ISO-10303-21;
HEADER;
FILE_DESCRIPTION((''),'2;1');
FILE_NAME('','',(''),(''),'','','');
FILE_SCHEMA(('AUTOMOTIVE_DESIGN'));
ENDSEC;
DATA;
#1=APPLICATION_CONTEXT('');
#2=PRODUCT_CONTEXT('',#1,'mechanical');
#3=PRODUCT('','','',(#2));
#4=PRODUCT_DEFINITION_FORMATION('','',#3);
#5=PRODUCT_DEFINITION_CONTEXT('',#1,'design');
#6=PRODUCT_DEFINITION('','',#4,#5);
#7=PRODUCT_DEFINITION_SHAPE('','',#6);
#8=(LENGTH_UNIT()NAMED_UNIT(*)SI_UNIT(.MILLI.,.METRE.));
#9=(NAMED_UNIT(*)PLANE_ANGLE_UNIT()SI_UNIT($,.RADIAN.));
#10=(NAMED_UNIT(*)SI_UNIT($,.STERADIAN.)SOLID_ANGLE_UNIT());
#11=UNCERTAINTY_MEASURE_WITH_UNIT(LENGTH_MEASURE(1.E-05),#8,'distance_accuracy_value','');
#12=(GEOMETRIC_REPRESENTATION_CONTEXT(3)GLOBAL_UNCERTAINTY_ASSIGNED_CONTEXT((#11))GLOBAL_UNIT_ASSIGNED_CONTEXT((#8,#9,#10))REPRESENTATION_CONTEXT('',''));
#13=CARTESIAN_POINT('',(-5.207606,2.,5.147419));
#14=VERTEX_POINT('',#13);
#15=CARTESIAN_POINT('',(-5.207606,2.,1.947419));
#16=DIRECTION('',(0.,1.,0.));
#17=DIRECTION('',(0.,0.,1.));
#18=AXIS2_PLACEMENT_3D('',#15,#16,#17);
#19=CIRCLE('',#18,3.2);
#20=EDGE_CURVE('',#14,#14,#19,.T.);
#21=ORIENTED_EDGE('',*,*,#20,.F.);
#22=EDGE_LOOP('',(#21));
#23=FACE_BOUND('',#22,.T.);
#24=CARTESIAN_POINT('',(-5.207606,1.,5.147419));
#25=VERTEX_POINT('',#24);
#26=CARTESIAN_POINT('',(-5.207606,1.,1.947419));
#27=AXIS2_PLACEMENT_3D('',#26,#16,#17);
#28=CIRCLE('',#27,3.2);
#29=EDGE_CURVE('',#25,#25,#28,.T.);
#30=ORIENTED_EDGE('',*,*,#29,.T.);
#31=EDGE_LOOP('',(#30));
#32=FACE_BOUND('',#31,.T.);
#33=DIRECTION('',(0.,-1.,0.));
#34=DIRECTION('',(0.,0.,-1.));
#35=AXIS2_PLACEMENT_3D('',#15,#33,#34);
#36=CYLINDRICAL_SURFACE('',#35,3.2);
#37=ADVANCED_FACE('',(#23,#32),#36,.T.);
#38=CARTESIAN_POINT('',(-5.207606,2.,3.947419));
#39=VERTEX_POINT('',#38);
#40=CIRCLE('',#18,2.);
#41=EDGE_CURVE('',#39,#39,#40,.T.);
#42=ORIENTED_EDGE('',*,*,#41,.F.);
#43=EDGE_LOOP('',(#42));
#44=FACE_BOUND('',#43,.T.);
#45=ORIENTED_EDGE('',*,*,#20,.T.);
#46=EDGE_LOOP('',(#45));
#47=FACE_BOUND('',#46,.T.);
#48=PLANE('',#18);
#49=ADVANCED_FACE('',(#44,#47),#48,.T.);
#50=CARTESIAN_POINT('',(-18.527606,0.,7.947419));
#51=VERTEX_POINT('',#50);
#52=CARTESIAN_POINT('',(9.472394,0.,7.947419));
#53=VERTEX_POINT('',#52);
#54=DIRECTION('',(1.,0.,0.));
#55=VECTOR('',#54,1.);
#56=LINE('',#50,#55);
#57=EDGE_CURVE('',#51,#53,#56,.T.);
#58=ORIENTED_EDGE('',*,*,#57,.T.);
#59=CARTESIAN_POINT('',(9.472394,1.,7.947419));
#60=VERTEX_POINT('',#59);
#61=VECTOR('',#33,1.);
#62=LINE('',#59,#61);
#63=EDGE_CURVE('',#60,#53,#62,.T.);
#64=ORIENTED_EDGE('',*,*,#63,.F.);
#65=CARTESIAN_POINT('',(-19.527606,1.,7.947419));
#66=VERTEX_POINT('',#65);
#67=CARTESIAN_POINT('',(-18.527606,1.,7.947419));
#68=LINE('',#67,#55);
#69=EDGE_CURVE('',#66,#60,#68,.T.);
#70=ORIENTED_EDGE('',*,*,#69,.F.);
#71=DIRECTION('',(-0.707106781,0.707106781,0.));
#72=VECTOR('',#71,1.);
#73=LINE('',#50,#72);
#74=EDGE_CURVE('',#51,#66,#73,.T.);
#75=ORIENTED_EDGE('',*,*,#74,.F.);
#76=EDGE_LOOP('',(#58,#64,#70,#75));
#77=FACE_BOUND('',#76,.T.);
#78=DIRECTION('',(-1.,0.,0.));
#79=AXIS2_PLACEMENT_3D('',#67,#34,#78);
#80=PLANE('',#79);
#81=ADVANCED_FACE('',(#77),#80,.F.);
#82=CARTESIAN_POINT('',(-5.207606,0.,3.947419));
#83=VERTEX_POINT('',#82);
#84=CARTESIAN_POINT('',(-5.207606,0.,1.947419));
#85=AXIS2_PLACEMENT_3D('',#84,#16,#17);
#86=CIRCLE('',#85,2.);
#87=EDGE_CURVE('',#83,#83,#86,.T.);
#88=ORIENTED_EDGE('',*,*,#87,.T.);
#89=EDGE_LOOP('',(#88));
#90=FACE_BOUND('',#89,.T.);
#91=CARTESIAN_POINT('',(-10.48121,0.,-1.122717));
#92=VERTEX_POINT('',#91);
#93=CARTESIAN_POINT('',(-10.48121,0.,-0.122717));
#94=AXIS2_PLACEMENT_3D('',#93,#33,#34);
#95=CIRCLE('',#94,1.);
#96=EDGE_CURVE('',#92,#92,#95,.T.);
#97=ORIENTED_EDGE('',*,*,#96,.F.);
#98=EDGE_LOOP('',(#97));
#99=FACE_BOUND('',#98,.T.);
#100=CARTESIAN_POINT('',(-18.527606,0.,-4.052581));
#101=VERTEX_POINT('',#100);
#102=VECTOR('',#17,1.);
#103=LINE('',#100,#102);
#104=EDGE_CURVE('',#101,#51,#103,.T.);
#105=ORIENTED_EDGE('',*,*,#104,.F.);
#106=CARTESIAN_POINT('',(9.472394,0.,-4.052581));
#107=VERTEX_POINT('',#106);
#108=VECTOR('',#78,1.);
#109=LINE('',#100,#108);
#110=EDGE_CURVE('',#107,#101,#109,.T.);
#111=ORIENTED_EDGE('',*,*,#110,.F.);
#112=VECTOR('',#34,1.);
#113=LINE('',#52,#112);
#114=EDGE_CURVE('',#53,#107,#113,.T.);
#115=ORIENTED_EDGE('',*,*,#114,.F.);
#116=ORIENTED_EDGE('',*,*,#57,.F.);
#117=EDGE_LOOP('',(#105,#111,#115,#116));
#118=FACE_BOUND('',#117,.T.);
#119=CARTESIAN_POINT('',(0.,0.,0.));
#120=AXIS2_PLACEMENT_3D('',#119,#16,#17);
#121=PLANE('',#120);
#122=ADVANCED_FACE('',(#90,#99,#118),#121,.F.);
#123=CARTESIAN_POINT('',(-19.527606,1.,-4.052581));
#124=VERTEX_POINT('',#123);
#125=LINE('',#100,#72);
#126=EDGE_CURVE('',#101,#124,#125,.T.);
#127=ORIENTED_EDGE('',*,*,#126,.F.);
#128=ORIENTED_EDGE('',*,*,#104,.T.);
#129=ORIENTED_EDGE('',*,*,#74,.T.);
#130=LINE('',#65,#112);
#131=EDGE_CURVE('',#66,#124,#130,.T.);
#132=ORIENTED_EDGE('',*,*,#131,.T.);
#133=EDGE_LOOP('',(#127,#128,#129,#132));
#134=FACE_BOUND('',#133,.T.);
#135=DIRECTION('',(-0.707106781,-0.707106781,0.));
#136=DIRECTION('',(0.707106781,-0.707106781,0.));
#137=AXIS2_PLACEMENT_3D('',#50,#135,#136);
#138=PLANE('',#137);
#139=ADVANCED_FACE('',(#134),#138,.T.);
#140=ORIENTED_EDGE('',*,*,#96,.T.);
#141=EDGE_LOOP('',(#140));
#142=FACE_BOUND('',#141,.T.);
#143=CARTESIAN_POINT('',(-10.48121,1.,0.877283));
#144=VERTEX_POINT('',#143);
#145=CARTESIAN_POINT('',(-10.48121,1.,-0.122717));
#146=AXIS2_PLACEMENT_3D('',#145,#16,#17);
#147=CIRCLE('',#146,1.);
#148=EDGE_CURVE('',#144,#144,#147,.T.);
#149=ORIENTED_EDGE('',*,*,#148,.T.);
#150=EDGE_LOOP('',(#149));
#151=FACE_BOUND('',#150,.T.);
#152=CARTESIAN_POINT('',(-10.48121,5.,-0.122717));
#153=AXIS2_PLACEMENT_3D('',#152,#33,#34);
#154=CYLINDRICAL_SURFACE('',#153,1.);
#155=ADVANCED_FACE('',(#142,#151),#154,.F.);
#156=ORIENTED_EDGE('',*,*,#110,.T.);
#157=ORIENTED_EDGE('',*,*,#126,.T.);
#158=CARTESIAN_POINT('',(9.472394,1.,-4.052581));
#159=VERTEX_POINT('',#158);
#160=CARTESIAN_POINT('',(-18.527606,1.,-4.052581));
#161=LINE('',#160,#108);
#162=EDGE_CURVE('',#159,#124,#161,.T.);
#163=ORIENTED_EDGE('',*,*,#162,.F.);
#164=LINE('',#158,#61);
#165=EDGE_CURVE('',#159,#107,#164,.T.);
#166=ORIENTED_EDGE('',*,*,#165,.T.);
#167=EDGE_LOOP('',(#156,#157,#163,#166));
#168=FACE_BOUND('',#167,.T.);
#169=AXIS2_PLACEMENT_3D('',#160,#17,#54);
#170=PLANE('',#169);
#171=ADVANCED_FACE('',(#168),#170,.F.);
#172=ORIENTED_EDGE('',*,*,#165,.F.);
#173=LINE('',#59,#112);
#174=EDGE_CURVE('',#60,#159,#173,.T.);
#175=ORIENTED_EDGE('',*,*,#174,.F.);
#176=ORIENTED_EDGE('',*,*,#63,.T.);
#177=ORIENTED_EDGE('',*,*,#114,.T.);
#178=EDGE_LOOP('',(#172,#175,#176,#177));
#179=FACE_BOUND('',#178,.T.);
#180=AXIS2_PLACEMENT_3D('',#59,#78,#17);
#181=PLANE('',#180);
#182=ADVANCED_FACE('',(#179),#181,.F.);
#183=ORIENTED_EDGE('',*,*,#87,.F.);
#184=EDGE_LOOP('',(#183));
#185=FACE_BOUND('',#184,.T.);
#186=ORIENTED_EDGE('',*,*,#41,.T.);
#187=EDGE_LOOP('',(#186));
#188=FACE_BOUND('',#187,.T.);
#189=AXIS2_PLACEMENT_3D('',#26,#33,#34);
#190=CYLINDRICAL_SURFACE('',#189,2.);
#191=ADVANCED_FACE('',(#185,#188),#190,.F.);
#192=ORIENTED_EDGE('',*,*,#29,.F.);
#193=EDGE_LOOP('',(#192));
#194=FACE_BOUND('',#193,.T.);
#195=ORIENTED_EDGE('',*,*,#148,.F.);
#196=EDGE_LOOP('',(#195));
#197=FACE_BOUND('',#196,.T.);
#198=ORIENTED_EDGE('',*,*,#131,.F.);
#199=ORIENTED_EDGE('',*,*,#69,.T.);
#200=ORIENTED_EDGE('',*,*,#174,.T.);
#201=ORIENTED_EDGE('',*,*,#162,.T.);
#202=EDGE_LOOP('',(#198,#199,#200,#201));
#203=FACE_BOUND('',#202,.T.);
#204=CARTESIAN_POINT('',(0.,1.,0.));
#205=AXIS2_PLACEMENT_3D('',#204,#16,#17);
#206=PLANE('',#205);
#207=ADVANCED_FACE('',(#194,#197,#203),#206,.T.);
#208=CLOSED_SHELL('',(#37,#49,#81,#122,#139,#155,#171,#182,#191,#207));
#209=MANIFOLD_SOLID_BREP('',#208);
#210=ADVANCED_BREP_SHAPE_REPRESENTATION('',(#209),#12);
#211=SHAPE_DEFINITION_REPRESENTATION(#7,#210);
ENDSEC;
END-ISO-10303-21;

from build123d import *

# Parameters (mm, degrees)
SKETCH_2_W          = 30
SKETCH_2_H          = 12
SKETCH_2_R          = 2
EXTRUDE_1_DEPTH     = 1
SKETCH_3_R          = 3.2
SKETCH_3_R_2        = 2
EXTRUDE_2_DEPTH     = 1
SKETCH_4_R          = 1
CUT_EXTRUDE_1_DEPTH = 5
EXTRUDE_3_DEPTH     = 12
SKETCH_6_W          = 2
SKETCH_6_H          = 12
CUT_EXTRUDE_2_DEPTH = 1


with BuildPart() as part:
    # 草图2 → 凸台-拉伸1 (new body)
    with BuildSketch(Plane(origin=(0, 0, 0), x_dir=(1, 0, 0), z_dir=(0, 1, 0))):
        with Locations((-3.527606217, -1.94741871)):
            Rectangle(SKETCH_2_W, SKETCH_2_H)
        with Locations(Location((-5.207606217, -1.94741871, 0), (0, 0, 270))):
            Circle(SKETCH_2_R, mode=Mode.SUBTRACT)
    extrude(amount=EXTRUDE_1_DEPTH)

    # 草图3 → 凸台-拉伸2 (add)
    with BuildSketch(Plane(origin=(0, 1, 0), x_dir=(1, 0, 0), z_dir=(0, 1, 0))):
        with Locations(Location((-5.207606217, -1.94741871, 0), (0, 0, 270))):
            Circle(SKETCH_3_R)
        with Locations(Location((-5.207606217, -1.94741871, 0), (0, 0, 270))):
            Circle(SKETCH_3_R_2, mode=Mode.SUBTRACT)
    extrude(amount=EXTRUDE_2_DEPTH)

    # 草图4 → 切除-拉伸1 (cut)
    with BuildSketch(Plane.XZ):
        with Locations(Location((-10.481209657, -0.12271673, 0), (0, 0, 270))):
            Circle(SKETCH_4_R)
    extrude(amount=-CUT_EXTRUDE_1_DEPTH, mode=Mode.SUBTRACT)

    # 草图5 → 凸台-拉伸3 (add)
    with BuildSketch(Plane(origin=(0, 0, -4.05258129), x_dir=(-1, 0, 0), z_dir=(0, 0, -1))):
        Polygon((18.527606217, 1), (18.527606217, 0), (19.527606217, 1), align=None)
    extrude(amount=-EXTRUDE_3_DEPTH)

    # 草图6 → 切除-拉伸2 (cut)
    with BuildSketch(Plane.XZ):
        with Locations((10.472393783, 1.94741871)):
            Rectangle(SKETCH_6_W, SKETCH_6_H)
    extrude(amount=-CUT_EXTRUDE_2_DEPTH, mode=Mode.SUBTRACT)


solid = part.part
